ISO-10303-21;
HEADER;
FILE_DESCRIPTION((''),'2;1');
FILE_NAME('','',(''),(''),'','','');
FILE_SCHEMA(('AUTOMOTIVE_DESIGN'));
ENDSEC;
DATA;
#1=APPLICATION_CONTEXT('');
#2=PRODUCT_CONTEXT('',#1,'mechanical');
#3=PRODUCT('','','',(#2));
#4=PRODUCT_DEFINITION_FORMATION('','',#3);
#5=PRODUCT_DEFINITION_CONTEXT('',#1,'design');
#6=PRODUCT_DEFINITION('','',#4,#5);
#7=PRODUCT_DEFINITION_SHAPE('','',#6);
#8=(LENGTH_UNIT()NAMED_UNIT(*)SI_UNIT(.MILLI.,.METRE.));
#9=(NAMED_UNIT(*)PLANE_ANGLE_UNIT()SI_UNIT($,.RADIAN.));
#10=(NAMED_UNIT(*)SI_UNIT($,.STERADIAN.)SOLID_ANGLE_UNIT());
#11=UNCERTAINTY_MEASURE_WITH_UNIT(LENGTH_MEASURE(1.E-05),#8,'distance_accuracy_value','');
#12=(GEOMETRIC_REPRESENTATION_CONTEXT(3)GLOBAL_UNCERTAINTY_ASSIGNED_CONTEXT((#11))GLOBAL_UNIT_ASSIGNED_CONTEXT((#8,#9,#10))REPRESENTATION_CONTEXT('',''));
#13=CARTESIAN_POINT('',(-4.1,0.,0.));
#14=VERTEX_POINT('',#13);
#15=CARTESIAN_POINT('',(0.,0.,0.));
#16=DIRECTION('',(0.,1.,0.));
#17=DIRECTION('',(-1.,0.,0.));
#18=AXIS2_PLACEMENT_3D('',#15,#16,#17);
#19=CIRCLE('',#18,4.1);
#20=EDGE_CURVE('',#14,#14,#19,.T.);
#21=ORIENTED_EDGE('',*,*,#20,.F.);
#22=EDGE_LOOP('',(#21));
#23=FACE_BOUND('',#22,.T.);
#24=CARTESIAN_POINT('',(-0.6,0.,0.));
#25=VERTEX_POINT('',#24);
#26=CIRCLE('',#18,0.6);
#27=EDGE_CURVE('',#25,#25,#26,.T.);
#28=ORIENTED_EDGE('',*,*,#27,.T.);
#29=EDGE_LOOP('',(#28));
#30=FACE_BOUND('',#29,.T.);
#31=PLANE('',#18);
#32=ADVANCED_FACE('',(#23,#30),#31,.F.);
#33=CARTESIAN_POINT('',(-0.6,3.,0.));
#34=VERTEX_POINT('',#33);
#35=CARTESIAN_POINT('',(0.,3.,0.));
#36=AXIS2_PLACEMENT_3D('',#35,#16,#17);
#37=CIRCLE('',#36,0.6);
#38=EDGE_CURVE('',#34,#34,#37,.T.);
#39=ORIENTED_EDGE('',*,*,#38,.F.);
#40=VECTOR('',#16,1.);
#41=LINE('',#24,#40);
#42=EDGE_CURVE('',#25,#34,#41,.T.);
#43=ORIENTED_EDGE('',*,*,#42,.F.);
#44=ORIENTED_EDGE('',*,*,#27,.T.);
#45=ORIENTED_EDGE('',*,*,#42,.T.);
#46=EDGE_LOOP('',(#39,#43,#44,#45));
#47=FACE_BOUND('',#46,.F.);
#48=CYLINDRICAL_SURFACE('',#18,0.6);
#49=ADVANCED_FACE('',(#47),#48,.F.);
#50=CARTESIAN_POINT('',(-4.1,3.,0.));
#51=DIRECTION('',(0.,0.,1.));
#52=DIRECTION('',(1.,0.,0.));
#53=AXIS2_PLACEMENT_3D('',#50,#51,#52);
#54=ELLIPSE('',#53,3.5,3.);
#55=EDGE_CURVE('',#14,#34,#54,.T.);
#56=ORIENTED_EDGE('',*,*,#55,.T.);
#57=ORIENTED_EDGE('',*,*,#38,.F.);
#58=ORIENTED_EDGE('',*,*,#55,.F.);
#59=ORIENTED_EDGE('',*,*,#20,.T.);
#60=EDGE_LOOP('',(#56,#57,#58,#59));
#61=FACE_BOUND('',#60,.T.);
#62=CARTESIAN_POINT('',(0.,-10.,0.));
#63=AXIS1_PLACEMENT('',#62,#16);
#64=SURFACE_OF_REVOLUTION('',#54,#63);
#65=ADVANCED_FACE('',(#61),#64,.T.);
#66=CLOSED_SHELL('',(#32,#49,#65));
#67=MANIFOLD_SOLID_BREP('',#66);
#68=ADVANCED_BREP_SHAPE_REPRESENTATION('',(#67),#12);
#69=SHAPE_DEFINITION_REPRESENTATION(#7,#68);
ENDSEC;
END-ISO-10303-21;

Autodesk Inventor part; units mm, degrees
ref_plane "YZ Plane" through (0, 0, 0) normal (1, 0, 0) x (0, 1, 0)
ref_plane "XZ Plane" through (0, 0, 0) normal (0, 1, 0) x (-1, 0, 0)
ref_plane "XY Plane" through (0, 0, 0) normal (0, 0, 1) x (1, 0, 0)
sketch "Sketch1" plane through (0, 0, 0) normal (0, 0, 1) x (1, 0, 0)
  line L0 (-0.6, 0) -> (-0.6, 3)
  line L1 (-0.6, 0) -> (-4.1, 0)
  ellipse E0 centre (-4.1, 3) end of major axis (-4.1, 0) minor radius 3.5
  line L2 (0, -1.2) -> (0, 7.2) projected
  point P0 (0, 0)
  dimension "d0" = 4.1
  dimension "d1" = 0.6
  dimension "d2" = 3
revolve "Revolution1" add sketch "Sketch1" angle 360 about axis through (0, -10, 0) along (0, 1, 0) contours L1 E0 L0
properties part number "TorsionOscillator-Solder-1" material "Titanium"
